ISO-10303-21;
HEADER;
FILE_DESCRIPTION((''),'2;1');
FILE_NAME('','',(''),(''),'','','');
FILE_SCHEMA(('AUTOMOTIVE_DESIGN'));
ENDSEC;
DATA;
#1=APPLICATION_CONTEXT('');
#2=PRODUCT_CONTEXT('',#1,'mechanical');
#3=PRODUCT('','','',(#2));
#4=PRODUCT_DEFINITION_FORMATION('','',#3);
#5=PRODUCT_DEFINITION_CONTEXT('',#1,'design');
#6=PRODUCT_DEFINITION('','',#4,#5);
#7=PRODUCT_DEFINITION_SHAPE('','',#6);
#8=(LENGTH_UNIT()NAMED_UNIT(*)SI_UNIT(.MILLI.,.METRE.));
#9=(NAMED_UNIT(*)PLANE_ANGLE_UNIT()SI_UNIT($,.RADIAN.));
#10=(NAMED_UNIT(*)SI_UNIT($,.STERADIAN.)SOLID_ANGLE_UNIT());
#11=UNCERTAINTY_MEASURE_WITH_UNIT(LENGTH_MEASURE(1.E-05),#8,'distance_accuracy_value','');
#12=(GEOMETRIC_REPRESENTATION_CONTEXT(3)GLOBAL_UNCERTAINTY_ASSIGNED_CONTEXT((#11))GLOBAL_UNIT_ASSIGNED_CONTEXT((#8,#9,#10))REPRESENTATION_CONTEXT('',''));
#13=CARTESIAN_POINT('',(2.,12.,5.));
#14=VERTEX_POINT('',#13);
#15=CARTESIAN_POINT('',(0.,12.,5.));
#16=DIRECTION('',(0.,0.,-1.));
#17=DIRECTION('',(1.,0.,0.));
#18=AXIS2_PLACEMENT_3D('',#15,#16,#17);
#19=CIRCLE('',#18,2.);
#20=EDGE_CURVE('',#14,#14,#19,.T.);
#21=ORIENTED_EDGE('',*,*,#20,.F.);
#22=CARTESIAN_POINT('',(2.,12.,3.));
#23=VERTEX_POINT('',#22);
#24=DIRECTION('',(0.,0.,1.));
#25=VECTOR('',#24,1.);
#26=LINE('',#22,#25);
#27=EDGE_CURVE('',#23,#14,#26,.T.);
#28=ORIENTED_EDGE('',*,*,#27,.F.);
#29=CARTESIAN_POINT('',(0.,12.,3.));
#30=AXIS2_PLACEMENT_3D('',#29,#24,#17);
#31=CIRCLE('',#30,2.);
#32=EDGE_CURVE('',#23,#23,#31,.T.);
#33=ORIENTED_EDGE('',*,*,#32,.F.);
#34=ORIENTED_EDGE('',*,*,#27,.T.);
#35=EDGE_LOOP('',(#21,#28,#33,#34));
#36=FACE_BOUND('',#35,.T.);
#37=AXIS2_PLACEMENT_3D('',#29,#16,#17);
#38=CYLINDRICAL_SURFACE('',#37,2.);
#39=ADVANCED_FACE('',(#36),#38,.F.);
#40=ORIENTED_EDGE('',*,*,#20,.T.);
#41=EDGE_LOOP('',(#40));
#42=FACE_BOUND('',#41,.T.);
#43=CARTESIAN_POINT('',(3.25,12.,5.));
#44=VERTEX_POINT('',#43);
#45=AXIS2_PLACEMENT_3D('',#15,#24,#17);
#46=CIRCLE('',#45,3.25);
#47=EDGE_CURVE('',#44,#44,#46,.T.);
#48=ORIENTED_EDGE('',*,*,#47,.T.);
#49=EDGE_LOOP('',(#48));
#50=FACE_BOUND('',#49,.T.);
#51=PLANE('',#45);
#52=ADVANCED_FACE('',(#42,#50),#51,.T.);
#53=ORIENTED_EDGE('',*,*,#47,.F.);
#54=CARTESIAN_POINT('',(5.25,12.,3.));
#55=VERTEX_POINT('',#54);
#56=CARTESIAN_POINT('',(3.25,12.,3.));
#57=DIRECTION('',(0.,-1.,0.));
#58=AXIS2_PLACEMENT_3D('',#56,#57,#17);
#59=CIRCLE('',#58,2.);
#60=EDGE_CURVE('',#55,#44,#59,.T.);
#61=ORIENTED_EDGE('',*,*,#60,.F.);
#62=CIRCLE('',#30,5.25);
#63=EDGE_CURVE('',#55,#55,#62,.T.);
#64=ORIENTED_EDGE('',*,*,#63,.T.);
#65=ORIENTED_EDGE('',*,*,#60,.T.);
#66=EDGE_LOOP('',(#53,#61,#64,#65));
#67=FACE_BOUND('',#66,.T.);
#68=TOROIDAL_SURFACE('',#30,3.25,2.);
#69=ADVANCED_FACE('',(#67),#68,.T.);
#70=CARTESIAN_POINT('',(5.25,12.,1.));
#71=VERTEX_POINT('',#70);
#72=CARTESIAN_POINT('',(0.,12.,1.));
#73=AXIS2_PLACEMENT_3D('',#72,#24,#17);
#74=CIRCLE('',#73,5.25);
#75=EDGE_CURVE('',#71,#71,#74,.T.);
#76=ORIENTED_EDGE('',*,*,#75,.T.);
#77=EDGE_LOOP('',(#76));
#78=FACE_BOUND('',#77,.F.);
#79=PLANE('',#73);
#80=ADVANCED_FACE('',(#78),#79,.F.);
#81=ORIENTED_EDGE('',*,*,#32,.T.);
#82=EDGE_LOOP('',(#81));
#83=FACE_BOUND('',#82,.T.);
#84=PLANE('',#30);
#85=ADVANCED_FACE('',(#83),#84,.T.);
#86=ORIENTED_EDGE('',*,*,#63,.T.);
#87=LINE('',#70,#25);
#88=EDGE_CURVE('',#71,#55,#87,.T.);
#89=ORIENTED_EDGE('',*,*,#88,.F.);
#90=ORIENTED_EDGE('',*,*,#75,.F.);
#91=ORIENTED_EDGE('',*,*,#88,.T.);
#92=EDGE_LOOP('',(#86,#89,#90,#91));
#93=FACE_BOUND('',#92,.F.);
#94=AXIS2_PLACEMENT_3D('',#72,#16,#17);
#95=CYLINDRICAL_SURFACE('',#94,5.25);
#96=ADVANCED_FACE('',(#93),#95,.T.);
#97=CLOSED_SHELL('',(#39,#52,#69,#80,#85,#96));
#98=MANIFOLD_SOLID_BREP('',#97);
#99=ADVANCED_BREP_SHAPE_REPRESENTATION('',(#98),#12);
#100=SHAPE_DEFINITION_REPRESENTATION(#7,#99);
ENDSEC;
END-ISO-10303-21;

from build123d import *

# Parameters (mm, degrees)
CYLINDER001_R     = 2
CYLINDER001_DEPTH = 4
CYLINDER002_R     = 5.25
CYLINDER002_DEPTH = 4
FILLET_R          = 2


with BuildPart() as cylinder001:
    # Cylinder001 → Cylinder001 (new body)
    with BuildSketch(Plane(origin=(0, 12, 3), x_dir=(1, 0, 0), z_dir=(0, 0, 1))):
        Circle(CYLINDER001_R)
    extrude(amount=CYLINDER001_DEPTH)


with BuildPart() as cut:
    # Cylinder002 → Cylinder002 (new body)
    with BuildSketch(Plane(origin=(0, 12, 1), x_dir=(1, 0, 0), z_dir=(0, 0, 1))):
        Circle(CYLINDER002_R)
    extrude(amount=CYLINDER002_DEPTH)

    # Fillet
    fillet_edges = [cut.edges().sort_by_distance(p)[0] for p in [
        (-5.25, 12, 5),
    ]]
    fillet(fillet_edges, radius=FILLET_R)

    # Cut: cut Cylinder001
    add(cylinder001.part, mode=Mode.SUBTRACT)


solid = cut.part
